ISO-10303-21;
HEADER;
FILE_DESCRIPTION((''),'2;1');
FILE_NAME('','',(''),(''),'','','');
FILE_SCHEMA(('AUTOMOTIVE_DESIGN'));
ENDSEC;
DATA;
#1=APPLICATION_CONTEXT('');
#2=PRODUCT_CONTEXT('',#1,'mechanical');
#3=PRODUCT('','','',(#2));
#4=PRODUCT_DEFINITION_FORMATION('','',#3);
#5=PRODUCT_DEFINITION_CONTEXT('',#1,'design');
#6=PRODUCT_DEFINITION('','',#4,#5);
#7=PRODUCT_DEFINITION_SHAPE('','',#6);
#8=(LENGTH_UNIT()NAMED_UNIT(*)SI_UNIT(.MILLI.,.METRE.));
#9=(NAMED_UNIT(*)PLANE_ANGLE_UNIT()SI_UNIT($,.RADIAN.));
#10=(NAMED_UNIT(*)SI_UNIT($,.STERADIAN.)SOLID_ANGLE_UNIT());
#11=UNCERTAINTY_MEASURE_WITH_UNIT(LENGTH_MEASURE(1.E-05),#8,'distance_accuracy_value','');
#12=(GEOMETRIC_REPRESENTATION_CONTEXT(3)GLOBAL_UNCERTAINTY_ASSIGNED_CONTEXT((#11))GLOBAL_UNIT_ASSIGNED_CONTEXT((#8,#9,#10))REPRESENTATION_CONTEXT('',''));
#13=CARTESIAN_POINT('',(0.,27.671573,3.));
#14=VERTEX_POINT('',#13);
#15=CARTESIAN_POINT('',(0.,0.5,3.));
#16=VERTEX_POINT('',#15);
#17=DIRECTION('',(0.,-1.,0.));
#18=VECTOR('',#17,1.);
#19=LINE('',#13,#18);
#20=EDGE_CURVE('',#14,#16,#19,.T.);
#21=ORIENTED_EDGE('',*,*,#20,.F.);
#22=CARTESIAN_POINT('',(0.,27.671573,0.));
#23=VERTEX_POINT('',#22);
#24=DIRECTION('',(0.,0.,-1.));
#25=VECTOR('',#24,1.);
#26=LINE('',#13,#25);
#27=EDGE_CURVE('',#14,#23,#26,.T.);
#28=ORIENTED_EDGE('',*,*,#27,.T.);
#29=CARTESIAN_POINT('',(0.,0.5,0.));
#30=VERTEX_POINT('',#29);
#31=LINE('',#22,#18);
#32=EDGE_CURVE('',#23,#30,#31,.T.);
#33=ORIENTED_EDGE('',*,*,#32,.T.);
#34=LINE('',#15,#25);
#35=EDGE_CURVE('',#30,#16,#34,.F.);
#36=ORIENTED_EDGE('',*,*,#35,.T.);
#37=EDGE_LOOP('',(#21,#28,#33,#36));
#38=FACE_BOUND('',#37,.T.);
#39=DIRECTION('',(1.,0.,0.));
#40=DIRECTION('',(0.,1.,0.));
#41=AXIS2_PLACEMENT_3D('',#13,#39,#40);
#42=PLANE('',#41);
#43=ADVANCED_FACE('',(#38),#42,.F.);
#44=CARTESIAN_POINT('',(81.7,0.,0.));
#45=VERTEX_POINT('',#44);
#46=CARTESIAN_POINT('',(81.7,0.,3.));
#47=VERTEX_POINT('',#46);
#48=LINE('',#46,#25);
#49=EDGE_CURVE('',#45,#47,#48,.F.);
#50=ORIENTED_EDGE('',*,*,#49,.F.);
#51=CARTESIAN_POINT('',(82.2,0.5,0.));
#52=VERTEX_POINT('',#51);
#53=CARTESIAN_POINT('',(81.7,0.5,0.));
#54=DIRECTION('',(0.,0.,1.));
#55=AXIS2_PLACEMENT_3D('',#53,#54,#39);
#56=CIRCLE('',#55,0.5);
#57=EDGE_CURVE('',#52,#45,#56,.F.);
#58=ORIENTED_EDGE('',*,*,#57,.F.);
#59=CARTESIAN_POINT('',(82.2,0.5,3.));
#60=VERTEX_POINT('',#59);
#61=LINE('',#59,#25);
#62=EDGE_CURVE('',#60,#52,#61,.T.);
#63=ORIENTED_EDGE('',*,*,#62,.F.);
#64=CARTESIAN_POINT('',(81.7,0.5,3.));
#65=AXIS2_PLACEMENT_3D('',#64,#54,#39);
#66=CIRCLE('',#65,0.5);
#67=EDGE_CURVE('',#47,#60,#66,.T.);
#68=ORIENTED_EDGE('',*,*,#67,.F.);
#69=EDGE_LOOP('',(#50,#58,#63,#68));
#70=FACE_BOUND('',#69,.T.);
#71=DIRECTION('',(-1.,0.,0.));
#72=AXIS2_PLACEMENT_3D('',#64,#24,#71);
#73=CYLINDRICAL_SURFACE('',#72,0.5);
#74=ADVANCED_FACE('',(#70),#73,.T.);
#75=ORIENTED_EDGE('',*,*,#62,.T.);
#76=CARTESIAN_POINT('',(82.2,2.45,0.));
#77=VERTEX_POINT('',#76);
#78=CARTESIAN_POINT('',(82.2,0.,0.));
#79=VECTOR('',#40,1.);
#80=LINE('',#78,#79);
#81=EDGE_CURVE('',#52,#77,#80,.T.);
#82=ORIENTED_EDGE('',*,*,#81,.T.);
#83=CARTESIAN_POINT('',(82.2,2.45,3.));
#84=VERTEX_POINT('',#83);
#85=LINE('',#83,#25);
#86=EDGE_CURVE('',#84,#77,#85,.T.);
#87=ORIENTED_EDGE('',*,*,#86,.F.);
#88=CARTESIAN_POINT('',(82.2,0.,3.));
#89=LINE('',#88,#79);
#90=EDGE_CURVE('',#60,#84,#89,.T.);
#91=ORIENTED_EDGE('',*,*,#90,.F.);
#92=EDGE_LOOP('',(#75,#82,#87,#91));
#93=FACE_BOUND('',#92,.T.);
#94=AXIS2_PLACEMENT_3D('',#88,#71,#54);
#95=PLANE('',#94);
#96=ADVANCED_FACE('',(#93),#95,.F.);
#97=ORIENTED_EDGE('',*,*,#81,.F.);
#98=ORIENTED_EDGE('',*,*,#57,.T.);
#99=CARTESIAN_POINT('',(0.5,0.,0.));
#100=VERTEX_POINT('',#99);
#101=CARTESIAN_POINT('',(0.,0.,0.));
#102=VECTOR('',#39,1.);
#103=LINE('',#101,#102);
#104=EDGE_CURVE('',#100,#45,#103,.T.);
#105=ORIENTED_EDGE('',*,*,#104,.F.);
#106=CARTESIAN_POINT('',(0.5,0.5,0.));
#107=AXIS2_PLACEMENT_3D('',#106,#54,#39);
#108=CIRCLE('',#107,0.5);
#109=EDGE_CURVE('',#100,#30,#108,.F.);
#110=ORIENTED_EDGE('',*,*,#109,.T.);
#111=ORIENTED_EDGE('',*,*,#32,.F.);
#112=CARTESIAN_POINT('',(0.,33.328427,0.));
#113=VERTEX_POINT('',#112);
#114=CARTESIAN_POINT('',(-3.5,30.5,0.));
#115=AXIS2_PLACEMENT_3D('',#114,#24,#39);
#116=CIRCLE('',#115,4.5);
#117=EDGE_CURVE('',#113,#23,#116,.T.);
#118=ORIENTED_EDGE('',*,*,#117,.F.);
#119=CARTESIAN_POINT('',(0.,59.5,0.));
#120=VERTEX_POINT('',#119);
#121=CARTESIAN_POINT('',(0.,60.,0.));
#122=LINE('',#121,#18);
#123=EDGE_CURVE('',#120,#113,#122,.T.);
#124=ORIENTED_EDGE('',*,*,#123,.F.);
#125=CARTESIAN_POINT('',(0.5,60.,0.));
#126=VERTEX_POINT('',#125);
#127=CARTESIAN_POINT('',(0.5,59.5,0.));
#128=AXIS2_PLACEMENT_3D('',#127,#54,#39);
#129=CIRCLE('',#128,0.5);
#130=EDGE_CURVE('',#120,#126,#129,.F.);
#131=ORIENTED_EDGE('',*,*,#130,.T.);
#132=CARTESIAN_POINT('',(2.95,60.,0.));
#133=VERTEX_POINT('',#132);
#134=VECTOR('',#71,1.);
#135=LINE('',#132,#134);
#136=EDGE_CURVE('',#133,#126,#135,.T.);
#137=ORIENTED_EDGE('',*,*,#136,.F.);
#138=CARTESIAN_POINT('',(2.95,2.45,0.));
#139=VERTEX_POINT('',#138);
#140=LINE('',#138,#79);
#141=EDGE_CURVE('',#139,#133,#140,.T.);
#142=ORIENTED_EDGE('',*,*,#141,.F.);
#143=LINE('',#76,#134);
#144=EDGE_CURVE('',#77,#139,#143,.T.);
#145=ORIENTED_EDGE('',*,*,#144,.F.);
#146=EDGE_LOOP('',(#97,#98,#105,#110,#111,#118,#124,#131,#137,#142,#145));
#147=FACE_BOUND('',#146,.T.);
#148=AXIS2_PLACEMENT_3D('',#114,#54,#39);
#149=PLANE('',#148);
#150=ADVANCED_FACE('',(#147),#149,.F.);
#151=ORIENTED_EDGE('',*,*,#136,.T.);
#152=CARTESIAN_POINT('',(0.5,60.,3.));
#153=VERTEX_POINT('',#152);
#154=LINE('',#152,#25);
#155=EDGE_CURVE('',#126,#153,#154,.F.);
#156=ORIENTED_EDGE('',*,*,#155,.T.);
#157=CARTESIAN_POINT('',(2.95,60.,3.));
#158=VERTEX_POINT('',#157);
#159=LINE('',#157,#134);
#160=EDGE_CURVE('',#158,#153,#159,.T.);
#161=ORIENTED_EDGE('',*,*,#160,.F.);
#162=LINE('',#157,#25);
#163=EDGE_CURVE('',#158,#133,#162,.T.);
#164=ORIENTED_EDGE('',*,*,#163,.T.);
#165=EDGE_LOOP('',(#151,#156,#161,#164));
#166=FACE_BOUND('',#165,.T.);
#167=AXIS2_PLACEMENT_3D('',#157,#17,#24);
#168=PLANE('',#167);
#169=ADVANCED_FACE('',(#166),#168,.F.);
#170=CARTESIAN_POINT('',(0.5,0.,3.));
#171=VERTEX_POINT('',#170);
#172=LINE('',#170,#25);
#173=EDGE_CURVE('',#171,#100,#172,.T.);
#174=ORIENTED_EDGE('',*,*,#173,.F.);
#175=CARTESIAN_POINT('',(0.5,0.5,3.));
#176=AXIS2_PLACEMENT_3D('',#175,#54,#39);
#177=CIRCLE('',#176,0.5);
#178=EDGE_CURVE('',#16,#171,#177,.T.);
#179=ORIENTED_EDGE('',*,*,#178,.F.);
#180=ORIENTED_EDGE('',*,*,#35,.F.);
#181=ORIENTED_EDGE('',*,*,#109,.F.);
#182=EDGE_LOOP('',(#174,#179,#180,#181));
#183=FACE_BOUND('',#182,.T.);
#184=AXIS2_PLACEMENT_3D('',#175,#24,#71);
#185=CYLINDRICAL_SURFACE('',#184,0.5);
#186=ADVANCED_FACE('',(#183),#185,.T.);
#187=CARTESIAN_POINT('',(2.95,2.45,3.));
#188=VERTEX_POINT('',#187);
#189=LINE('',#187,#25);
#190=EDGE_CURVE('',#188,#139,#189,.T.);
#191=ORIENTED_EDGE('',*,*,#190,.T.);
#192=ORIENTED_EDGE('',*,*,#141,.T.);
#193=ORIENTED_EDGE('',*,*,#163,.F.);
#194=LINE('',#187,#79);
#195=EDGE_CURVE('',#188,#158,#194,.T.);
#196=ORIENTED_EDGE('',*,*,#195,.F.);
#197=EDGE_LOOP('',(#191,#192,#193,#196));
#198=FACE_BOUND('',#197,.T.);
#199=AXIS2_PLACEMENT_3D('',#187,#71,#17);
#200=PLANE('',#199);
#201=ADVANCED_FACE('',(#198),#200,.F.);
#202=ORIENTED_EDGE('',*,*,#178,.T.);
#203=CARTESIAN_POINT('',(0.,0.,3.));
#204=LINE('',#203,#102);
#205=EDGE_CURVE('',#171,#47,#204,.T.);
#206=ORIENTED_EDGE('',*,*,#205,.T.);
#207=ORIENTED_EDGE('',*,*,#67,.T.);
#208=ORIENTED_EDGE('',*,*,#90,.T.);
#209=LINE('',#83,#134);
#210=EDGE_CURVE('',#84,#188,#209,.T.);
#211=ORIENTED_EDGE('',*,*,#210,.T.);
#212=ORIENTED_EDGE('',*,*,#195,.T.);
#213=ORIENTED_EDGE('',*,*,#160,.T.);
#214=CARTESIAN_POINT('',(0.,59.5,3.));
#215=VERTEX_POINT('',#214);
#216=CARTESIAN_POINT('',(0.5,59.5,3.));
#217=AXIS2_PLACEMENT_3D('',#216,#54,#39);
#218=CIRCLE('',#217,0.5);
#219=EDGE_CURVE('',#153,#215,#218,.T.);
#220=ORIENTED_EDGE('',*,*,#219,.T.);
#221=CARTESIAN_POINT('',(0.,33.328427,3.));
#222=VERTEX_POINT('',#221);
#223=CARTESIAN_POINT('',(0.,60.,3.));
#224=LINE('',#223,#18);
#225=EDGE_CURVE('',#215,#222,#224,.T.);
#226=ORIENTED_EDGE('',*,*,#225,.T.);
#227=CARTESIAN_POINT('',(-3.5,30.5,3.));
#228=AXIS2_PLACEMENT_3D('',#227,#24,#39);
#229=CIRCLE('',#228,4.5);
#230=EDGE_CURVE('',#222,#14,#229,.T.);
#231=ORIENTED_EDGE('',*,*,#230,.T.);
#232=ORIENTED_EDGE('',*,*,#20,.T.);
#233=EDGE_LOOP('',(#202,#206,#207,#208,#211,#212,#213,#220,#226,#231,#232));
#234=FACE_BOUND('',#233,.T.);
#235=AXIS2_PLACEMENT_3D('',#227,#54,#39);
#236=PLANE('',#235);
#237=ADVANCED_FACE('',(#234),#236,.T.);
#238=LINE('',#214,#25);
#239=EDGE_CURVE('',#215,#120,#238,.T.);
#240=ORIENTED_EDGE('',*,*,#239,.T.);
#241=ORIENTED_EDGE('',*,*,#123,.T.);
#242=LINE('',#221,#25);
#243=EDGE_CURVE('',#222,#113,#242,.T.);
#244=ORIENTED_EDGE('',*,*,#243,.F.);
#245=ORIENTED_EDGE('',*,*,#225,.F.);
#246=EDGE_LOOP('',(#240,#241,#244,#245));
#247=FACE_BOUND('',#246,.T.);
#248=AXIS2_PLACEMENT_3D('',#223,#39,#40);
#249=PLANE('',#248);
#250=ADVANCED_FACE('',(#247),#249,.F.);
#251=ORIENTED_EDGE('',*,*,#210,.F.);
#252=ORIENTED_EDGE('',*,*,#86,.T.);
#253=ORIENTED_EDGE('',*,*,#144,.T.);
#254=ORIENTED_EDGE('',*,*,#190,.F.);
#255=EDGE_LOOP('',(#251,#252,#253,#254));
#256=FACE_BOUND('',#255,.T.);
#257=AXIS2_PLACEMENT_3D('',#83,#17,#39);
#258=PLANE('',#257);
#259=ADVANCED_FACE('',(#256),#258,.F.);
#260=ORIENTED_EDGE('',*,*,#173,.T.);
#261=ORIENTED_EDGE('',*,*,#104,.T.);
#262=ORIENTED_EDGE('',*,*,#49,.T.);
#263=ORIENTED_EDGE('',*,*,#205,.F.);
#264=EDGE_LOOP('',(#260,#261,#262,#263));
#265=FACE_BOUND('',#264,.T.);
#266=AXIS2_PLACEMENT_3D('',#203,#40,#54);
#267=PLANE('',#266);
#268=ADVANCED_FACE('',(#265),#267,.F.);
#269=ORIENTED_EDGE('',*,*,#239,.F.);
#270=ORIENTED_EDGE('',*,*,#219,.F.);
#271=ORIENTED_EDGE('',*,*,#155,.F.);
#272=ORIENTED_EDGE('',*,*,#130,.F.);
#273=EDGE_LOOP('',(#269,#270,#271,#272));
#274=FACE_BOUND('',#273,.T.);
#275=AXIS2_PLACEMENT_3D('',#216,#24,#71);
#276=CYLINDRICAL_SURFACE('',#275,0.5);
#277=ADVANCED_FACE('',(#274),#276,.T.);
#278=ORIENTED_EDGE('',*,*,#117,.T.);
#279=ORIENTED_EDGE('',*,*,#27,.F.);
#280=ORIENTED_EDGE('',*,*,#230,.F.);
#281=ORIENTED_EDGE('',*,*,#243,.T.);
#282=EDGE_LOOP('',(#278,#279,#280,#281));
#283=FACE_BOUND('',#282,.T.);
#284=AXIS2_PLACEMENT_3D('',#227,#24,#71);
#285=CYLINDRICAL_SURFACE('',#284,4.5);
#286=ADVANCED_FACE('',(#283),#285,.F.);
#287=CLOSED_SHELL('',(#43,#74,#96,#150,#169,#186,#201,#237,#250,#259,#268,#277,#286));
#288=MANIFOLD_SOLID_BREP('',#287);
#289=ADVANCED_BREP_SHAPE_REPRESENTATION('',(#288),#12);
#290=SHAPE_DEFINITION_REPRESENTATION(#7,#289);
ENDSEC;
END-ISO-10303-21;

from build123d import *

# Parameters (mm, degrees)
SALIENTE_EXTRUIR1_DEPTH = 3
REDONDEO1_R             = 0.5


with BuildPart() as part:
    # Croquis1 → Saliente-Extruir1 (new body)
    with BuildSketch(Plane.XY):
        with BuildLine():
            Line((0, 0), (82.2, 0))
            Line((82.2, 0), (82.2, 2.45))
            Line((82.2, 2.45), (2.95, 2.45))
            Line((2.95, 2.45), (2.95, 60))
            Line((2.95, 60), (0, 60))
            Line((0, 60), (0, 33.328427125))
            ThreePointArc((0, 33.328427125), (1, 30.5), (0, 27.671572875))
            Line((0, 27.671572875), (0, 0))
        make_face()
    extrude(amount=SALIENTE_EXTRUIR1_DEPTH)

    # Redondeo1
    redondeo1_edges = [part.edges().sort_by_distance(p)[0] for p in [
        (0, 60, 1.5),
        (82.2, 0, 1.5),
        (0, 0, 1.5),
    ]]
    fillet(redondeo1_edges, radius=REDONDEO1_R)


solid = part.part
